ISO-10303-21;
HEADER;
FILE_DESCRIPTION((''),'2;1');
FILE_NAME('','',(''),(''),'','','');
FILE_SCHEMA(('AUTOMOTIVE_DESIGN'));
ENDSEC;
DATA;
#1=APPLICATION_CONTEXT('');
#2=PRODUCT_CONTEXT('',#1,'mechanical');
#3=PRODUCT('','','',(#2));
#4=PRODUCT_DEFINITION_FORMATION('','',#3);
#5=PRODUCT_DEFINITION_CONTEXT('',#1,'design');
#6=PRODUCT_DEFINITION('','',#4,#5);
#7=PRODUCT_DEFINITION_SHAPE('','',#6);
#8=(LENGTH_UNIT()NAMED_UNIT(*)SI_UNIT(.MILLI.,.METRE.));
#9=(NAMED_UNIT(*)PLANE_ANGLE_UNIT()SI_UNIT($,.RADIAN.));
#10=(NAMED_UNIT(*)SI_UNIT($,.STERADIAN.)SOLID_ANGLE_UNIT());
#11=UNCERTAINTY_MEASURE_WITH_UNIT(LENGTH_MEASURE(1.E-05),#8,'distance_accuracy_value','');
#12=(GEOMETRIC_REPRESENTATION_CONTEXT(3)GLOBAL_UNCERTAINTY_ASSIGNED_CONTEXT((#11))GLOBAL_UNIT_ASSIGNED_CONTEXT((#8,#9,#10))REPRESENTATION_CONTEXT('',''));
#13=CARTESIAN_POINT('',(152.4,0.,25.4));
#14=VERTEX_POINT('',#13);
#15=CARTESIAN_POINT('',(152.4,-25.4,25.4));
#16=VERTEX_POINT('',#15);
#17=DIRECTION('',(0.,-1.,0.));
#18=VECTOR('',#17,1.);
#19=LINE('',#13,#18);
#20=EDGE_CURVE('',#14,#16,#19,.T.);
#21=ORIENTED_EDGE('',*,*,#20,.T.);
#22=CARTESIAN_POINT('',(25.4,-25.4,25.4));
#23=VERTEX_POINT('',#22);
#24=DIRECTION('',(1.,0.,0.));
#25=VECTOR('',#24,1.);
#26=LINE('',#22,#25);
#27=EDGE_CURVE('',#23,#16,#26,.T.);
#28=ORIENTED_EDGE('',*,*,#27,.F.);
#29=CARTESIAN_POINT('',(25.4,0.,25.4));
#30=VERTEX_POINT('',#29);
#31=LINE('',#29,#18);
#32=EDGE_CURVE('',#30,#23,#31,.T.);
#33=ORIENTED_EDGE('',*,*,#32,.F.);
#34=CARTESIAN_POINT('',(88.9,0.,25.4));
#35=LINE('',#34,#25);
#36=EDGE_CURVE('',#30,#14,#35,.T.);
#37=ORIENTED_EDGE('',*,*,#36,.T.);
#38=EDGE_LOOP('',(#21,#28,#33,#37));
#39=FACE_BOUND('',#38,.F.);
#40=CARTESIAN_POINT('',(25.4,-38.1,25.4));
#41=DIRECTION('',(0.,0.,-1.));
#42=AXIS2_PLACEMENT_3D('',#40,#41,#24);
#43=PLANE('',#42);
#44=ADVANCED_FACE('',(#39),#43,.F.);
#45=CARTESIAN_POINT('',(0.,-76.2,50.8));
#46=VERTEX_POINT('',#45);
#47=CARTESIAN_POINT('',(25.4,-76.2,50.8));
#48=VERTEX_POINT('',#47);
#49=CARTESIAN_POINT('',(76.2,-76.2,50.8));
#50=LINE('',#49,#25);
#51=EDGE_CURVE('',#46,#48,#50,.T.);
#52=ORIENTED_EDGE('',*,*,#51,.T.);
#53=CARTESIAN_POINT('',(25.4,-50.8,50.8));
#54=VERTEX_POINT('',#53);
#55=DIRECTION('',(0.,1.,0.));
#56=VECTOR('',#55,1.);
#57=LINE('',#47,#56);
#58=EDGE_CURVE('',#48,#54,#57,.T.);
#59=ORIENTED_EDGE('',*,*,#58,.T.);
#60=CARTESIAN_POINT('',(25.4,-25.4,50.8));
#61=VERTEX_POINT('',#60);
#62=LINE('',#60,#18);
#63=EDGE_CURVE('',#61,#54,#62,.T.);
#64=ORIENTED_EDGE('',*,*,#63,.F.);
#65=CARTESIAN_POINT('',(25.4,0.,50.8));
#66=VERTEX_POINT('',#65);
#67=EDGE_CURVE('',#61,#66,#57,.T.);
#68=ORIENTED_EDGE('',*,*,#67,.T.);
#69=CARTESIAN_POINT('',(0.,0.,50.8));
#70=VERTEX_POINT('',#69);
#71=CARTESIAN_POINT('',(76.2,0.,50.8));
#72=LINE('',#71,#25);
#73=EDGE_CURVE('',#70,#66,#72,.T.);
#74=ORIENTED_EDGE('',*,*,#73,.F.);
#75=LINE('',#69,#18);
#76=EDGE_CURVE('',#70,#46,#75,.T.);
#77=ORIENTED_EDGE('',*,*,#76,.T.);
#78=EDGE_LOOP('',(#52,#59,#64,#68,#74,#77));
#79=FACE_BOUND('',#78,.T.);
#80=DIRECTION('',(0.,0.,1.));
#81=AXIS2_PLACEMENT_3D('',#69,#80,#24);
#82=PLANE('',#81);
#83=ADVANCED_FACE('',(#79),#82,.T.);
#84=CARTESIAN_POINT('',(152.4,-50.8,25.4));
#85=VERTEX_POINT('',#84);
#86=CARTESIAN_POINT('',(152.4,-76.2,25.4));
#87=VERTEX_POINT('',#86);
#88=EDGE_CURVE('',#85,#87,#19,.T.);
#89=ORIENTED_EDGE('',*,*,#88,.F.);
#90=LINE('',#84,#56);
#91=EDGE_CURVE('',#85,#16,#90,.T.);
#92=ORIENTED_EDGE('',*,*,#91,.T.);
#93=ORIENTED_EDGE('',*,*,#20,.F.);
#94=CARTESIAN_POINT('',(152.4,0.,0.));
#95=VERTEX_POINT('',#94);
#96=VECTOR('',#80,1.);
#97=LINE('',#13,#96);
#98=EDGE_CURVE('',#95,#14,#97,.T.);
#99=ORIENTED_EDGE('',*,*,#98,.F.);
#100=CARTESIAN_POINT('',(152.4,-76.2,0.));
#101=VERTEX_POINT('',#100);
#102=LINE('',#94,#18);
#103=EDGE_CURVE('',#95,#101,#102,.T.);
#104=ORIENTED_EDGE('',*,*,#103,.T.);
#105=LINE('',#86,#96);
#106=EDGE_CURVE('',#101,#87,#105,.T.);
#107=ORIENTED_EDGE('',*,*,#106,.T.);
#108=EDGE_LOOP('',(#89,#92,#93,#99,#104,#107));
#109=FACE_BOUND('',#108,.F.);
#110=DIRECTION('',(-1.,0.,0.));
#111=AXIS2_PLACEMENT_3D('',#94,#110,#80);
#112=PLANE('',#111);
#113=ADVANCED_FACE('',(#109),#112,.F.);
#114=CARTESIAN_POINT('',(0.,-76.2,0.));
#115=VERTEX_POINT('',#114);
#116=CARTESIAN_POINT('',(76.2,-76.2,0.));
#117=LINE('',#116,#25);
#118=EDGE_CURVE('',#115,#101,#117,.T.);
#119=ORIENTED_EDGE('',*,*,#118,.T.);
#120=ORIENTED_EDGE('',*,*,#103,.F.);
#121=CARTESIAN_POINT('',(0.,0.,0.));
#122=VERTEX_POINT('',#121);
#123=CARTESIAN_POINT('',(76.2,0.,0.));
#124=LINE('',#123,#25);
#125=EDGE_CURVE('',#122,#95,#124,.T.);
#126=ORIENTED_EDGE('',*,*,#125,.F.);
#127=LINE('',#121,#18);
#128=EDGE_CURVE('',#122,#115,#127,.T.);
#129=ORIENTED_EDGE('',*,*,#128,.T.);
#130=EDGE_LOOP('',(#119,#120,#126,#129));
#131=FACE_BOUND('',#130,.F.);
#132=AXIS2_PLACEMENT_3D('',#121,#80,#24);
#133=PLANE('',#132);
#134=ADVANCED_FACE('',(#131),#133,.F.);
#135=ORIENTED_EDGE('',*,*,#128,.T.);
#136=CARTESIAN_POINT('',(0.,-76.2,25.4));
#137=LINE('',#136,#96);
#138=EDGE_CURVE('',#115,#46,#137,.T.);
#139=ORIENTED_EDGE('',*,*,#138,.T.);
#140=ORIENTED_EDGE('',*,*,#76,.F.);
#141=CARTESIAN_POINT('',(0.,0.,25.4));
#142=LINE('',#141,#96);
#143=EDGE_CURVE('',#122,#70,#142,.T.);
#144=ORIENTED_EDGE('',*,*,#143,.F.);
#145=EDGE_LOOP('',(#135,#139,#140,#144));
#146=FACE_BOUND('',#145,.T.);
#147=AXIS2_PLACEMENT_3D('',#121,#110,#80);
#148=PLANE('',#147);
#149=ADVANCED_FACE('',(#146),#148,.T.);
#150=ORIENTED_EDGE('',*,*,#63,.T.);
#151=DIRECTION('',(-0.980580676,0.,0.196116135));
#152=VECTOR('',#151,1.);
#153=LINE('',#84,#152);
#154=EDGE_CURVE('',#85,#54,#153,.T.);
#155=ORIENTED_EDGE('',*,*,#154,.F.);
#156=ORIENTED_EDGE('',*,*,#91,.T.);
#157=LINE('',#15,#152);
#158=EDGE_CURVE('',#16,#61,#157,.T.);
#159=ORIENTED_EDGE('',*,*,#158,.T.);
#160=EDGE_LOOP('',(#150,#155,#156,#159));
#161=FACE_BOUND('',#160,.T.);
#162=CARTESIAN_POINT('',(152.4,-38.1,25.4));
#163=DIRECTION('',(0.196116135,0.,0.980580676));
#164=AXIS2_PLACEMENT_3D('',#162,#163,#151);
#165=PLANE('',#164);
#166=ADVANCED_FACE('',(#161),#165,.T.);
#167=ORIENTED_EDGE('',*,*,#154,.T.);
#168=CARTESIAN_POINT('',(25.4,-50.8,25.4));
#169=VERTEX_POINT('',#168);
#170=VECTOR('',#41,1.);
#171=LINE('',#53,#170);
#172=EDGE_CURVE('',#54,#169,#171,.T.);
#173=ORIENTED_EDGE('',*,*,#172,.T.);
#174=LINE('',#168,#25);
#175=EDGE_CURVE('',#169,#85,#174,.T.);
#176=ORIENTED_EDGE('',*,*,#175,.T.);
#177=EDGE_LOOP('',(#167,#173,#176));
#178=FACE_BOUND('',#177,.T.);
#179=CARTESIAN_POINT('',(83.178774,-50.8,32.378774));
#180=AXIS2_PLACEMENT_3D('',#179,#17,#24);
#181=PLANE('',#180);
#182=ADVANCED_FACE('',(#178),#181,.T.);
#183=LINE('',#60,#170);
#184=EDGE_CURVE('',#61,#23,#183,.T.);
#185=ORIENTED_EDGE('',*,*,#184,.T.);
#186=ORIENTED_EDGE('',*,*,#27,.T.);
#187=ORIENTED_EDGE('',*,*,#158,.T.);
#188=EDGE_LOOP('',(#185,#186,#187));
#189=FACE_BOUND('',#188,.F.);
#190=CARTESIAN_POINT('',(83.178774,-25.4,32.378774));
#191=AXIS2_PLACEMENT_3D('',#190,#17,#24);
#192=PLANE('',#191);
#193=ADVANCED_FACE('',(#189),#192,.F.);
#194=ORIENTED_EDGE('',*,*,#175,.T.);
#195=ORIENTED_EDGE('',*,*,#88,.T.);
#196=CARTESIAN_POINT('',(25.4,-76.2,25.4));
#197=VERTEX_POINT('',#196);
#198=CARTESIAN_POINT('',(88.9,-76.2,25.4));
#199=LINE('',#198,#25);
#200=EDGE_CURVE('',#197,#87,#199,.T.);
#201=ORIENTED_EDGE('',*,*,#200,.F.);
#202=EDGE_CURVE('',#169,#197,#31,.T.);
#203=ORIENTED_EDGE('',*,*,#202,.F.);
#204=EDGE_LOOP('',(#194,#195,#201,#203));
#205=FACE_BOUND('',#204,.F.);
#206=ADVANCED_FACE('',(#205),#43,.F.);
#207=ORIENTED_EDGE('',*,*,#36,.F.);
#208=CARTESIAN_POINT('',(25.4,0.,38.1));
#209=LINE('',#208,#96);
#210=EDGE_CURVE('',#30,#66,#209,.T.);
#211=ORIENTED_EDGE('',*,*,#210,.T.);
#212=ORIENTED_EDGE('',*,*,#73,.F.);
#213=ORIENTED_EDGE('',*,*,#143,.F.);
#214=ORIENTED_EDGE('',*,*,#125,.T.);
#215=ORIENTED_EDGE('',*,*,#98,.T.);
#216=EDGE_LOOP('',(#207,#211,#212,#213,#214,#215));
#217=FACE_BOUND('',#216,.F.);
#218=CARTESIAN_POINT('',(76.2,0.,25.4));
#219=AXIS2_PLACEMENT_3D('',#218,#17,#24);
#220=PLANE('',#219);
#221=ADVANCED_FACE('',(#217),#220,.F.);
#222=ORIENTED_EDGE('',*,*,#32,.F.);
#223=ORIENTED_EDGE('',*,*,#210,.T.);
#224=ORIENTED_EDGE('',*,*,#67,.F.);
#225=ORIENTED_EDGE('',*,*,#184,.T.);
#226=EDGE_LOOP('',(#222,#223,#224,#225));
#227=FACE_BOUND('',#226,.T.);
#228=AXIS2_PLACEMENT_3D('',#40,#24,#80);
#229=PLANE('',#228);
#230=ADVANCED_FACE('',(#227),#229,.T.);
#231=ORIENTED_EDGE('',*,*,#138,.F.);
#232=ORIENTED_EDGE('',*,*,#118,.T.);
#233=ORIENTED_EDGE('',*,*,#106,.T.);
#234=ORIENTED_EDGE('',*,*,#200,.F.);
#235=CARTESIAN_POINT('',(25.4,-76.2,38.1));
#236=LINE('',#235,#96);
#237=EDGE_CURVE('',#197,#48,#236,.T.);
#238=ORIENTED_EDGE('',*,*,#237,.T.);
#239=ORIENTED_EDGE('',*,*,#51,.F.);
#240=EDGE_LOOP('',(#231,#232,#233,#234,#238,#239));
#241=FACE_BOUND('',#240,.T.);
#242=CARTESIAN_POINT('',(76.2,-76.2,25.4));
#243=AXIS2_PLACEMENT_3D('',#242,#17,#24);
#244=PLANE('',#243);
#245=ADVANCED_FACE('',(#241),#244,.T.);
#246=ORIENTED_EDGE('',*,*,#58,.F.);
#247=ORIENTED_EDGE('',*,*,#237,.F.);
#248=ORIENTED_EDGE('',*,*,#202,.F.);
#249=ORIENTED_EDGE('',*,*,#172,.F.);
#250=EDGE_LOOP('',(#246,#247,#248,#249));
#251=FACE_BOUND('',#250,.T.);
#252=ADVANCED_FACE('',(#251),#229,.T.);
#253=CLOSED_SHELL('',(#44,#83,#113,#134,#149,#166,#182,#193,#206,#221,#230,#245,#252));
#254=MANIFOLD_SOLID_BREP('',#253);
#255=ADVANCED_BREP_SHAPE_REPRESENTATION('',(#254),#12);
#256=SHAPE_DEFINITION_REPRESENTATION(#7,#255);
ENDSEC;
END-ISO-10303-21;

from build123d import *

# Parameters (mm, degrees)
F0_W     = 152.4
F0_H     = 50.8
F1_DEPTH = 76.2
F4_W     = 127
F4_H     = 25.4
F5_DEPTH = 38.1
F7_DEPTH = 12.7


with BuildPart() as f1:
    # F0 (on Front) → F1 (new body)
    with BuildSketch(Plane.XZ):
        with Locations((76.2, 25.4)):
            Rectangle(F0_W, F0_H)
    extrude(amount=F1_DEPTH)

    # F4 (on offset) → F5 (cut, symmetric)
    with BuildSketch(Plane.XZ.offset(38.1)):
        with Locations((88.9, 38.1)):
            Rectangle(F4_W, F4_H)
    extrude(amount=F5_DEPTH, both=True, mode=Mode.SUBTRACT)

    # F6 (on offset) → F7 (join, symmetric)
    with BuildSketch(Plane.XZ.offset(38.1)):
        Polygon((152.4, 25.4), (25.4, 50.8), (25.4, 25.4), align=None)
    extrude(amount=F7_DEPTH, both=True)


solid = f1.part
